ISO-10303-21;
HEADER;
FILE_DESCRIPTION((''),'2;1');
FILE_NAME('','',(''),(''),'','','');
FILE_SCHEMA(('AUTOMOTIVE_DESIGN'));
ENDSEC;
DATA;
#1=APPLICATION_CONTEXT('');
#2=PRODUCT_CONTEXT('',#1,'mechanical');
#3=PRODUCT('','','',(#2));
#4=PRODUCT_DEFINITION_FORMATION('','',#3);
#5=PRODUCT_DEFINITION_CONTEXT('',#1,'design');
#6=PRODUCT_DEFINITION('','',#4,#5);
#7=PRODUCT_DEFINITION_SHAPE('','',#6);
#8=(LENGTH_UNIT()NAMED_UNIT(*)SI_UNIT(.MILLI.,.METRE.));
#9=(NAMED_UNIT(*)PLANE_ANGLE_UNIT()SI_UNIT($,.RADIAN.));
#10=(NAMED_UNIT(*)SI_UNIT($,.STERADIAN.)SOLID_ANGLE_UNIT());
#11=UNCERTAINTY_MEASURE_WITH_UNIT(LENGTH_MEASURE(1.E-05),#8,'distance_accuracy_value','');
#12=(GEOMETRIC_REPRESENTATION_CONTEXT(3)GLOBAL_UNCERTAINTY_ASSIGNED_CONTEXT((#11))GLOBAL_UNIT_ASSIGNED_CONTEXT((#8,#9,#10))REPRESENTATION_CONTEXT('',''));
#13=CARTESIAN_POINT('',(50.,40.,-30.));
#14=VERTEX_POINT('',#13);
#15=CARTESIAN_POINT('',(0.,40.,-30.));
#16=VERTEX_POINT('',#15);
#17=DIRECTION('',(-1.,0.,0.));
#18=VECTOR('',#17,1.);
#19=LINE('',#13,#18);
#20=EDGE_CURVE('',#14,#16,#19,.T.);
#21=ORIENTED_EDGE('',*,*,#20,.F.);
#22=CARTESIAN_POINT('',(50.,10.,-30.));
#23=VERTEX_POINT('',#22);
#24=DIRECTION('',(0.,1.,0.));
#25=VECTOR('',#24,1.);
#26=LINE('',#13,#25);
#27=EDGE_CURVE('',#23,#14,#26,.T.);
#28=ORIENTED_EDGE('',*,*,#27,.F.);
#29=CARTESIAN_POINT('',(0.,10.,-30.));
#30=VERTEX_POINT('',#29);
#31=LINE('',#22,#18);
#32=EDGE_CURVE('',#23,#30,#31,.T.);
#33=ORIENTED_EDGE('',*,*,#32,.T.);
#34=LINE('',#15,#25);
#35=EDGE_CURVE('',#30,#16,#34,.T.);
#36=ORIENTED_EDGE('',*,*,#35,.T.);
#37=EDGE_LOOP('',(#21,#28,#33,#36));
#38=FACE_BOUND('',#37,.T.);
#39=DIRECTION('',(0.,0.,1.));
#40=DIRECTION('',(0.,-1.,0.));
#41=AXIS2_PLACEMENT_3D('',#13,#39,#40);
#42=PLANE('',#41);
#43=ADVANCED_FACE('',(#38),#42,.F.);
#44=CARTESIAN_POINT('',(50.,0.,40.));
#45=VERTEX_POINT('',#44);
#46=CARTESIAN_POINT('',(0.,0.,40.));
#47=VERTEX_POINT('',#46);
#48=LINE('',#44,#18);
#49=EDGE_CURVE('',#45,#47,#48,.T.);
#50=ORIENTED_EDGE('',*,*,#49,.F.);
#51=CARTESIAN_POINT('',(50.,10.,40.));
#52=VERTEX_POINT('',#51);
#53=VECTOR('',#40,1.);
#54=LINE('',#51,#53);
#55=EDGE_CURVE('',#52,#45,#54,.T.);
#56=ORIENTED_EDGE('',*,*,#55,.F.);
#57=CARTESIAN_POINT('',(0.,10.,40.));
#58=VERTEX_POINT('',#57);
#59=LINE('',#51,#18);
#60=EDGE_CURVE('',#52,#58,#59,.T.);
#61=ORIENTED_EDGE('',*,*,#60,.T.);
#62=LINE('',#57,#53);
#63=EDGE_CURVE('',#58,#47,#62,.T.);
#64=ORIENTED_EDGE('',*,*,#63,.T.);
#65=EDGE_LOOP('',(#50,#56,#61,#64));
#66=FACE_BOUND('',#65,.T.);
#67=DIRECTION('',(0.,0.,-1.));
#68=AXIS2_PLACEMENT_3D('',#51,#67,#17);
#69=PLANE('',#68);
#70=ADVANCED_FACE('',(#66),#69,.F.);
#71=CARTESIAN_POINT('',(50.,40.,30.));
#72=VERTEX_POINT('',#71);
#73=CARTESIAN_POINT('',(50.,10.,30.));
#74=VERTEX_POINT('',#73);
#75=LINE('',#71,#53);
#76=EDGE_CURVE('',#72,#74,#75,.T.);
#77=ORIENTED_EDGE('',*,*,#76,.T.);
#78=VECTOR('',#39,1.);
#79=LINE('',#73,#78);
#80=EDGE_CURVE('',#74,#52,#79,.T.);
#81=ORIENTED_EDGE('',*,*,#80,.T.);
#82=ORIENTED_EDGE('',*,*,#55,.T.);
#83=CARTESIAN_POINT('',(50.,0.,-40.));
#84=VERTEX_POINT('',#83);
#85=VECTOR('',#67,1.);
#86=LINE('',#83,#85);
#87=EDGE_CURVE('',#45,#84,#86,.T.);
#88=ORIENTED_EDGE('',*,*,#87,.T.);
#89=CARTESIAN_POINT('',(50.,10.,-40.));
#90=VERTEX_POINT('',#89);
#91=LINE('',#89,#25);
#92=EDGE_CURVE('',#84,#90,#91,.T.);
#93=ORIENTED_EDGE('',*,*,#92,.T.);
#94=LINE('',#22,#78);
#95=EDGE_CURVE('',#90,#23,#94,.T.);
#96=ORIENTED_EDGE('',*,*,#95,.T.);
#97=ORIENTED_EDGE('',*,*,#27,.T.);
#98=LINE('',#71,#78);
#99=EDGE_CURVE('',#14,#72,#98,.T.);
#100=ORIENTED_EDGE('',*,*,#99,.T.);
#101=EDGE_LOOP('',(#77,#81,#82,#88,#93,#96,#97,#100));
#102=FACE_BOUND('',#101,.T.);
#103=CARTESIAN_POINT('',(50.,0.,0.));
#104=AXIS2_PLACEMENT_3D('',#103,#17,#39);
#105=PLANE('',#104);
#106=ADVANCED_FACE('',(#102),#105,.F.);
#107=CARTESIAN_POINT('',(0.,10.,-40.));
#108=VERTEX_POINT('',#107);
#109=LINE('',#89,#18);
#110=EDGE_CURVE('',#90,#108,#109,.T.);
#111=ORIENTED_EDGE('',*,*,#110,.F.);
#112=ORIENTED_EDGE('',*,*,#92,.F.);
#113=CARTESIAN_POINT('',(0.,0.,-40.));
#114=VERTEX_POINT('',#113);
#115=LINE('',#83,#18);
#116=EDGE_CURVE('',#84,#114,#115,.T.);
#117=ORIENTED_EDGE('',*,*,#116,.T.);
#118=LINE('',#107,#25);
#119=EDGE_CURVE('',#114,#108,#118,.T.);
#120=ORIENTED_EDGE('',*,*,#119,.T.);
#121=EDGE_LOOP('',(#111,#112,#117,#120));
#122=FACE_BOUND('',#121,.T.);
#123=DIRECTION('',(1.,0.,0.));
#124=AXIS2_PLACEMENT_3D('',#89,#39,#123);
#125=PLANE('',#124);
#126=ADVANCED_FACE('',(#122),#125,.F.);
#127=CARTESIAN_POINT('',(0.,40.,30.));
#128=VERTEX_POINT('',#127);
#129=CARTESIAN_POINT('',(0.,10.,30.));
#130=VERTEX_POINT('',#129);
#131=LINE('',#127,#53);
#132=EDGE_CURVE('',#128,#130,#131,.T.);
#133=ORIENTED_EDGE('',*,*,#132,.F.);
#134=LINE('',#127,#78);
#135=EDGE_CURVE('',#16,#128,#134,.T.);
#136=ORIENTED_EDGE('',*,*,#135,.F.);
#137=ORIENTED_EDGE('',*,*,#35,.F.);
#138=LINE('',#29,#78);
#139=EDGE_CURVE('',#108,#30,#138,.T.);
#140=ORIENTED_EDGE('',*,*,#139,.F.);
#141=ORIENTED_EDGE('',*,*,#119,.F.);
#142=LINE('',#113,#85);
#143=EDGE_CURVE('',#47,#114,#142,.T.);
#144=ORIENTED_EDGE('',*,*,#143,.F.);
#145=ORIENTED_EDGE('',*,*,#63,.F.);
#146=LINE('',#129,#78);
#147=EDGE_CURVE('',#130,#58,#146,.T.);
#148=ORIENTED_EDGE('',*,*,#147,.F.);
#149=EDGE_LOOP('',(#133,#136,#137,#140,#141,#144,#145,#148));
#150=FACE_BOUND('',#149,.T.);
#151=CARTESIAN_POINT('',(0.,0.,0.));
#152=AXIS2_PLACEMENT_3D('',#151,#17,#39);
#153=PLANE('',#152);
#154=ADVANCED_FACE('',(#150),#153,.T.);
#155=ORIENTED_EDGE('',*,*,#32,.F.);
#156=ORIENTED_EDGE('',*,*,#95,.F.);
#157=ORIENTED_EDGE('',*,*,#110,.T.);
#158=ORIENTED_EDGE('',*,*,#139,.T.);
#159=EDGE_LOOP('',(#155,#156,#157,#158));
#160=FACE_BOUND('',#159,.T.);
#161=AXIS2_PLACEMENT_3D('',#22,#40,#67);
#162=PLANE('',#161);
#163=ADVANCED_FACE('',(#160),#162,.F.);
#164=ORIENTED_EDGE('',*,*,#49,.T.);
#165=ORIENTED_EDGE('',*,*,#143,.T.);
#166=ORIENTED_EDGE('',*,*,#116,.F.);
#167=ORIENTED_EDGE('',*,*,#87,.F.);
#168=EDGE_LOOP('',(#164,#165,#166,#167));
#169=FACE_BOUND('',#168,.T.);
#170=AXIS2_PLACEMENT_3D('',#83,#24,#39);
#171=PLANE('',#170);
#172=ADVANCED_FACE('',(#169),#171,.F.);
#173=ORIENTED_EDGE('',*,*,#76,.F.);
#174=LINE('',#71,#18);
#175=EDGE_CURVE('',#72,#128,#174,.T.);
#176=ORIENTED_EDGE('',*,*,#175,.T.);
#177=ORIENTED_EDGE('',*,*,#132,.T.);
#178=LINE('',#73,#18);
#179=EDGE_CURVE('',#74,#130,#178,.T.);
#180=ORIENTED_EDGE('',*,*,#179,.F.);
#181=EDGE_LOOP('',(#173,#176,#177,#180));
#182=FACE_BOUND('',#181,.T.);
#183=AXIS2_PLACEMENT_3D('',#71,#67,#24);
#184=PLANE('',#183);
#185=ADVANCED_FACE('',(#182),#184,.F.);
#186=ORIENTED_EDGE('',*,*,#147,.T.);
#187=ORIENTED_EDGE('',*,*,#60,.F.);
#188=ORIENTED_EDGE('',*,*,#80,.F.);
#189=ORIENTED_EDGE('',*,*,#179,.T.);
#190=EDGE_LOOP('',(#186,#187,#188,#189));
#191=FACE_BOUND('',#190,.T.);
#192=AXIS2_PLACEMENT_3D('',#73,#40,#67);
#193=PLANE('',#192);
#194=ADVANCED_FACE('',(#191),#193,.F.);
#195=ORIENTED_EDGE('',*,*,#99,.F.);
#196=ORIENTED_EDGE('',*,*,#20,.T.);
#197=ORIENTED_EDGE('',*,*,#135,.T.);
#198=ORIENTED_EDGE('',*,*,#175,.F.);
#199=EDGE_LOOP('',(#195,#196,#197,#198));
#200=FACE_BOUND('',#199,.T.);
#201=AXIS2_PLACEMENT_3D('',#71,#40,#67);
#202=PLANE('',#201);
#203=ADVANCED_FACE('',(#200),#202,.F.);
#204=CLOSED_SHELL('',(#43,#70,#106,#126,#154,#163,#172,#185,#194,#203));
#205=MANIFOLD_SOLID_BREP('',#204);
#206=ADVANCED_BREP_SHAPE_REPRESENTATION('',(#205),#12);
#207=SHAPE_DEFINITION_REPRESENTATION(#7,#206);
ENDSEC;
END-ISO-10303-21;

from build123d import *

# Parameters (mm, degrees)
EXTRUDE_1_DEPTH = 50


with BuildPart() as part:
    # 스케치2 → 보스-돌출1 (new body)
    with BuildSketch(Plane(origin=(0, 0, 0), x_dir=(0, 0, -1), z_dir=(1, 0, 0))):
        Polygon((-30, 40), (30, 40), (30, 10), (40, 10), (40, 0), (-40, 0), (-40, 10), (-30, 10), align=None)
    extrude(amount=EXTRUDE_1_DEPTH)


solid = part.part
